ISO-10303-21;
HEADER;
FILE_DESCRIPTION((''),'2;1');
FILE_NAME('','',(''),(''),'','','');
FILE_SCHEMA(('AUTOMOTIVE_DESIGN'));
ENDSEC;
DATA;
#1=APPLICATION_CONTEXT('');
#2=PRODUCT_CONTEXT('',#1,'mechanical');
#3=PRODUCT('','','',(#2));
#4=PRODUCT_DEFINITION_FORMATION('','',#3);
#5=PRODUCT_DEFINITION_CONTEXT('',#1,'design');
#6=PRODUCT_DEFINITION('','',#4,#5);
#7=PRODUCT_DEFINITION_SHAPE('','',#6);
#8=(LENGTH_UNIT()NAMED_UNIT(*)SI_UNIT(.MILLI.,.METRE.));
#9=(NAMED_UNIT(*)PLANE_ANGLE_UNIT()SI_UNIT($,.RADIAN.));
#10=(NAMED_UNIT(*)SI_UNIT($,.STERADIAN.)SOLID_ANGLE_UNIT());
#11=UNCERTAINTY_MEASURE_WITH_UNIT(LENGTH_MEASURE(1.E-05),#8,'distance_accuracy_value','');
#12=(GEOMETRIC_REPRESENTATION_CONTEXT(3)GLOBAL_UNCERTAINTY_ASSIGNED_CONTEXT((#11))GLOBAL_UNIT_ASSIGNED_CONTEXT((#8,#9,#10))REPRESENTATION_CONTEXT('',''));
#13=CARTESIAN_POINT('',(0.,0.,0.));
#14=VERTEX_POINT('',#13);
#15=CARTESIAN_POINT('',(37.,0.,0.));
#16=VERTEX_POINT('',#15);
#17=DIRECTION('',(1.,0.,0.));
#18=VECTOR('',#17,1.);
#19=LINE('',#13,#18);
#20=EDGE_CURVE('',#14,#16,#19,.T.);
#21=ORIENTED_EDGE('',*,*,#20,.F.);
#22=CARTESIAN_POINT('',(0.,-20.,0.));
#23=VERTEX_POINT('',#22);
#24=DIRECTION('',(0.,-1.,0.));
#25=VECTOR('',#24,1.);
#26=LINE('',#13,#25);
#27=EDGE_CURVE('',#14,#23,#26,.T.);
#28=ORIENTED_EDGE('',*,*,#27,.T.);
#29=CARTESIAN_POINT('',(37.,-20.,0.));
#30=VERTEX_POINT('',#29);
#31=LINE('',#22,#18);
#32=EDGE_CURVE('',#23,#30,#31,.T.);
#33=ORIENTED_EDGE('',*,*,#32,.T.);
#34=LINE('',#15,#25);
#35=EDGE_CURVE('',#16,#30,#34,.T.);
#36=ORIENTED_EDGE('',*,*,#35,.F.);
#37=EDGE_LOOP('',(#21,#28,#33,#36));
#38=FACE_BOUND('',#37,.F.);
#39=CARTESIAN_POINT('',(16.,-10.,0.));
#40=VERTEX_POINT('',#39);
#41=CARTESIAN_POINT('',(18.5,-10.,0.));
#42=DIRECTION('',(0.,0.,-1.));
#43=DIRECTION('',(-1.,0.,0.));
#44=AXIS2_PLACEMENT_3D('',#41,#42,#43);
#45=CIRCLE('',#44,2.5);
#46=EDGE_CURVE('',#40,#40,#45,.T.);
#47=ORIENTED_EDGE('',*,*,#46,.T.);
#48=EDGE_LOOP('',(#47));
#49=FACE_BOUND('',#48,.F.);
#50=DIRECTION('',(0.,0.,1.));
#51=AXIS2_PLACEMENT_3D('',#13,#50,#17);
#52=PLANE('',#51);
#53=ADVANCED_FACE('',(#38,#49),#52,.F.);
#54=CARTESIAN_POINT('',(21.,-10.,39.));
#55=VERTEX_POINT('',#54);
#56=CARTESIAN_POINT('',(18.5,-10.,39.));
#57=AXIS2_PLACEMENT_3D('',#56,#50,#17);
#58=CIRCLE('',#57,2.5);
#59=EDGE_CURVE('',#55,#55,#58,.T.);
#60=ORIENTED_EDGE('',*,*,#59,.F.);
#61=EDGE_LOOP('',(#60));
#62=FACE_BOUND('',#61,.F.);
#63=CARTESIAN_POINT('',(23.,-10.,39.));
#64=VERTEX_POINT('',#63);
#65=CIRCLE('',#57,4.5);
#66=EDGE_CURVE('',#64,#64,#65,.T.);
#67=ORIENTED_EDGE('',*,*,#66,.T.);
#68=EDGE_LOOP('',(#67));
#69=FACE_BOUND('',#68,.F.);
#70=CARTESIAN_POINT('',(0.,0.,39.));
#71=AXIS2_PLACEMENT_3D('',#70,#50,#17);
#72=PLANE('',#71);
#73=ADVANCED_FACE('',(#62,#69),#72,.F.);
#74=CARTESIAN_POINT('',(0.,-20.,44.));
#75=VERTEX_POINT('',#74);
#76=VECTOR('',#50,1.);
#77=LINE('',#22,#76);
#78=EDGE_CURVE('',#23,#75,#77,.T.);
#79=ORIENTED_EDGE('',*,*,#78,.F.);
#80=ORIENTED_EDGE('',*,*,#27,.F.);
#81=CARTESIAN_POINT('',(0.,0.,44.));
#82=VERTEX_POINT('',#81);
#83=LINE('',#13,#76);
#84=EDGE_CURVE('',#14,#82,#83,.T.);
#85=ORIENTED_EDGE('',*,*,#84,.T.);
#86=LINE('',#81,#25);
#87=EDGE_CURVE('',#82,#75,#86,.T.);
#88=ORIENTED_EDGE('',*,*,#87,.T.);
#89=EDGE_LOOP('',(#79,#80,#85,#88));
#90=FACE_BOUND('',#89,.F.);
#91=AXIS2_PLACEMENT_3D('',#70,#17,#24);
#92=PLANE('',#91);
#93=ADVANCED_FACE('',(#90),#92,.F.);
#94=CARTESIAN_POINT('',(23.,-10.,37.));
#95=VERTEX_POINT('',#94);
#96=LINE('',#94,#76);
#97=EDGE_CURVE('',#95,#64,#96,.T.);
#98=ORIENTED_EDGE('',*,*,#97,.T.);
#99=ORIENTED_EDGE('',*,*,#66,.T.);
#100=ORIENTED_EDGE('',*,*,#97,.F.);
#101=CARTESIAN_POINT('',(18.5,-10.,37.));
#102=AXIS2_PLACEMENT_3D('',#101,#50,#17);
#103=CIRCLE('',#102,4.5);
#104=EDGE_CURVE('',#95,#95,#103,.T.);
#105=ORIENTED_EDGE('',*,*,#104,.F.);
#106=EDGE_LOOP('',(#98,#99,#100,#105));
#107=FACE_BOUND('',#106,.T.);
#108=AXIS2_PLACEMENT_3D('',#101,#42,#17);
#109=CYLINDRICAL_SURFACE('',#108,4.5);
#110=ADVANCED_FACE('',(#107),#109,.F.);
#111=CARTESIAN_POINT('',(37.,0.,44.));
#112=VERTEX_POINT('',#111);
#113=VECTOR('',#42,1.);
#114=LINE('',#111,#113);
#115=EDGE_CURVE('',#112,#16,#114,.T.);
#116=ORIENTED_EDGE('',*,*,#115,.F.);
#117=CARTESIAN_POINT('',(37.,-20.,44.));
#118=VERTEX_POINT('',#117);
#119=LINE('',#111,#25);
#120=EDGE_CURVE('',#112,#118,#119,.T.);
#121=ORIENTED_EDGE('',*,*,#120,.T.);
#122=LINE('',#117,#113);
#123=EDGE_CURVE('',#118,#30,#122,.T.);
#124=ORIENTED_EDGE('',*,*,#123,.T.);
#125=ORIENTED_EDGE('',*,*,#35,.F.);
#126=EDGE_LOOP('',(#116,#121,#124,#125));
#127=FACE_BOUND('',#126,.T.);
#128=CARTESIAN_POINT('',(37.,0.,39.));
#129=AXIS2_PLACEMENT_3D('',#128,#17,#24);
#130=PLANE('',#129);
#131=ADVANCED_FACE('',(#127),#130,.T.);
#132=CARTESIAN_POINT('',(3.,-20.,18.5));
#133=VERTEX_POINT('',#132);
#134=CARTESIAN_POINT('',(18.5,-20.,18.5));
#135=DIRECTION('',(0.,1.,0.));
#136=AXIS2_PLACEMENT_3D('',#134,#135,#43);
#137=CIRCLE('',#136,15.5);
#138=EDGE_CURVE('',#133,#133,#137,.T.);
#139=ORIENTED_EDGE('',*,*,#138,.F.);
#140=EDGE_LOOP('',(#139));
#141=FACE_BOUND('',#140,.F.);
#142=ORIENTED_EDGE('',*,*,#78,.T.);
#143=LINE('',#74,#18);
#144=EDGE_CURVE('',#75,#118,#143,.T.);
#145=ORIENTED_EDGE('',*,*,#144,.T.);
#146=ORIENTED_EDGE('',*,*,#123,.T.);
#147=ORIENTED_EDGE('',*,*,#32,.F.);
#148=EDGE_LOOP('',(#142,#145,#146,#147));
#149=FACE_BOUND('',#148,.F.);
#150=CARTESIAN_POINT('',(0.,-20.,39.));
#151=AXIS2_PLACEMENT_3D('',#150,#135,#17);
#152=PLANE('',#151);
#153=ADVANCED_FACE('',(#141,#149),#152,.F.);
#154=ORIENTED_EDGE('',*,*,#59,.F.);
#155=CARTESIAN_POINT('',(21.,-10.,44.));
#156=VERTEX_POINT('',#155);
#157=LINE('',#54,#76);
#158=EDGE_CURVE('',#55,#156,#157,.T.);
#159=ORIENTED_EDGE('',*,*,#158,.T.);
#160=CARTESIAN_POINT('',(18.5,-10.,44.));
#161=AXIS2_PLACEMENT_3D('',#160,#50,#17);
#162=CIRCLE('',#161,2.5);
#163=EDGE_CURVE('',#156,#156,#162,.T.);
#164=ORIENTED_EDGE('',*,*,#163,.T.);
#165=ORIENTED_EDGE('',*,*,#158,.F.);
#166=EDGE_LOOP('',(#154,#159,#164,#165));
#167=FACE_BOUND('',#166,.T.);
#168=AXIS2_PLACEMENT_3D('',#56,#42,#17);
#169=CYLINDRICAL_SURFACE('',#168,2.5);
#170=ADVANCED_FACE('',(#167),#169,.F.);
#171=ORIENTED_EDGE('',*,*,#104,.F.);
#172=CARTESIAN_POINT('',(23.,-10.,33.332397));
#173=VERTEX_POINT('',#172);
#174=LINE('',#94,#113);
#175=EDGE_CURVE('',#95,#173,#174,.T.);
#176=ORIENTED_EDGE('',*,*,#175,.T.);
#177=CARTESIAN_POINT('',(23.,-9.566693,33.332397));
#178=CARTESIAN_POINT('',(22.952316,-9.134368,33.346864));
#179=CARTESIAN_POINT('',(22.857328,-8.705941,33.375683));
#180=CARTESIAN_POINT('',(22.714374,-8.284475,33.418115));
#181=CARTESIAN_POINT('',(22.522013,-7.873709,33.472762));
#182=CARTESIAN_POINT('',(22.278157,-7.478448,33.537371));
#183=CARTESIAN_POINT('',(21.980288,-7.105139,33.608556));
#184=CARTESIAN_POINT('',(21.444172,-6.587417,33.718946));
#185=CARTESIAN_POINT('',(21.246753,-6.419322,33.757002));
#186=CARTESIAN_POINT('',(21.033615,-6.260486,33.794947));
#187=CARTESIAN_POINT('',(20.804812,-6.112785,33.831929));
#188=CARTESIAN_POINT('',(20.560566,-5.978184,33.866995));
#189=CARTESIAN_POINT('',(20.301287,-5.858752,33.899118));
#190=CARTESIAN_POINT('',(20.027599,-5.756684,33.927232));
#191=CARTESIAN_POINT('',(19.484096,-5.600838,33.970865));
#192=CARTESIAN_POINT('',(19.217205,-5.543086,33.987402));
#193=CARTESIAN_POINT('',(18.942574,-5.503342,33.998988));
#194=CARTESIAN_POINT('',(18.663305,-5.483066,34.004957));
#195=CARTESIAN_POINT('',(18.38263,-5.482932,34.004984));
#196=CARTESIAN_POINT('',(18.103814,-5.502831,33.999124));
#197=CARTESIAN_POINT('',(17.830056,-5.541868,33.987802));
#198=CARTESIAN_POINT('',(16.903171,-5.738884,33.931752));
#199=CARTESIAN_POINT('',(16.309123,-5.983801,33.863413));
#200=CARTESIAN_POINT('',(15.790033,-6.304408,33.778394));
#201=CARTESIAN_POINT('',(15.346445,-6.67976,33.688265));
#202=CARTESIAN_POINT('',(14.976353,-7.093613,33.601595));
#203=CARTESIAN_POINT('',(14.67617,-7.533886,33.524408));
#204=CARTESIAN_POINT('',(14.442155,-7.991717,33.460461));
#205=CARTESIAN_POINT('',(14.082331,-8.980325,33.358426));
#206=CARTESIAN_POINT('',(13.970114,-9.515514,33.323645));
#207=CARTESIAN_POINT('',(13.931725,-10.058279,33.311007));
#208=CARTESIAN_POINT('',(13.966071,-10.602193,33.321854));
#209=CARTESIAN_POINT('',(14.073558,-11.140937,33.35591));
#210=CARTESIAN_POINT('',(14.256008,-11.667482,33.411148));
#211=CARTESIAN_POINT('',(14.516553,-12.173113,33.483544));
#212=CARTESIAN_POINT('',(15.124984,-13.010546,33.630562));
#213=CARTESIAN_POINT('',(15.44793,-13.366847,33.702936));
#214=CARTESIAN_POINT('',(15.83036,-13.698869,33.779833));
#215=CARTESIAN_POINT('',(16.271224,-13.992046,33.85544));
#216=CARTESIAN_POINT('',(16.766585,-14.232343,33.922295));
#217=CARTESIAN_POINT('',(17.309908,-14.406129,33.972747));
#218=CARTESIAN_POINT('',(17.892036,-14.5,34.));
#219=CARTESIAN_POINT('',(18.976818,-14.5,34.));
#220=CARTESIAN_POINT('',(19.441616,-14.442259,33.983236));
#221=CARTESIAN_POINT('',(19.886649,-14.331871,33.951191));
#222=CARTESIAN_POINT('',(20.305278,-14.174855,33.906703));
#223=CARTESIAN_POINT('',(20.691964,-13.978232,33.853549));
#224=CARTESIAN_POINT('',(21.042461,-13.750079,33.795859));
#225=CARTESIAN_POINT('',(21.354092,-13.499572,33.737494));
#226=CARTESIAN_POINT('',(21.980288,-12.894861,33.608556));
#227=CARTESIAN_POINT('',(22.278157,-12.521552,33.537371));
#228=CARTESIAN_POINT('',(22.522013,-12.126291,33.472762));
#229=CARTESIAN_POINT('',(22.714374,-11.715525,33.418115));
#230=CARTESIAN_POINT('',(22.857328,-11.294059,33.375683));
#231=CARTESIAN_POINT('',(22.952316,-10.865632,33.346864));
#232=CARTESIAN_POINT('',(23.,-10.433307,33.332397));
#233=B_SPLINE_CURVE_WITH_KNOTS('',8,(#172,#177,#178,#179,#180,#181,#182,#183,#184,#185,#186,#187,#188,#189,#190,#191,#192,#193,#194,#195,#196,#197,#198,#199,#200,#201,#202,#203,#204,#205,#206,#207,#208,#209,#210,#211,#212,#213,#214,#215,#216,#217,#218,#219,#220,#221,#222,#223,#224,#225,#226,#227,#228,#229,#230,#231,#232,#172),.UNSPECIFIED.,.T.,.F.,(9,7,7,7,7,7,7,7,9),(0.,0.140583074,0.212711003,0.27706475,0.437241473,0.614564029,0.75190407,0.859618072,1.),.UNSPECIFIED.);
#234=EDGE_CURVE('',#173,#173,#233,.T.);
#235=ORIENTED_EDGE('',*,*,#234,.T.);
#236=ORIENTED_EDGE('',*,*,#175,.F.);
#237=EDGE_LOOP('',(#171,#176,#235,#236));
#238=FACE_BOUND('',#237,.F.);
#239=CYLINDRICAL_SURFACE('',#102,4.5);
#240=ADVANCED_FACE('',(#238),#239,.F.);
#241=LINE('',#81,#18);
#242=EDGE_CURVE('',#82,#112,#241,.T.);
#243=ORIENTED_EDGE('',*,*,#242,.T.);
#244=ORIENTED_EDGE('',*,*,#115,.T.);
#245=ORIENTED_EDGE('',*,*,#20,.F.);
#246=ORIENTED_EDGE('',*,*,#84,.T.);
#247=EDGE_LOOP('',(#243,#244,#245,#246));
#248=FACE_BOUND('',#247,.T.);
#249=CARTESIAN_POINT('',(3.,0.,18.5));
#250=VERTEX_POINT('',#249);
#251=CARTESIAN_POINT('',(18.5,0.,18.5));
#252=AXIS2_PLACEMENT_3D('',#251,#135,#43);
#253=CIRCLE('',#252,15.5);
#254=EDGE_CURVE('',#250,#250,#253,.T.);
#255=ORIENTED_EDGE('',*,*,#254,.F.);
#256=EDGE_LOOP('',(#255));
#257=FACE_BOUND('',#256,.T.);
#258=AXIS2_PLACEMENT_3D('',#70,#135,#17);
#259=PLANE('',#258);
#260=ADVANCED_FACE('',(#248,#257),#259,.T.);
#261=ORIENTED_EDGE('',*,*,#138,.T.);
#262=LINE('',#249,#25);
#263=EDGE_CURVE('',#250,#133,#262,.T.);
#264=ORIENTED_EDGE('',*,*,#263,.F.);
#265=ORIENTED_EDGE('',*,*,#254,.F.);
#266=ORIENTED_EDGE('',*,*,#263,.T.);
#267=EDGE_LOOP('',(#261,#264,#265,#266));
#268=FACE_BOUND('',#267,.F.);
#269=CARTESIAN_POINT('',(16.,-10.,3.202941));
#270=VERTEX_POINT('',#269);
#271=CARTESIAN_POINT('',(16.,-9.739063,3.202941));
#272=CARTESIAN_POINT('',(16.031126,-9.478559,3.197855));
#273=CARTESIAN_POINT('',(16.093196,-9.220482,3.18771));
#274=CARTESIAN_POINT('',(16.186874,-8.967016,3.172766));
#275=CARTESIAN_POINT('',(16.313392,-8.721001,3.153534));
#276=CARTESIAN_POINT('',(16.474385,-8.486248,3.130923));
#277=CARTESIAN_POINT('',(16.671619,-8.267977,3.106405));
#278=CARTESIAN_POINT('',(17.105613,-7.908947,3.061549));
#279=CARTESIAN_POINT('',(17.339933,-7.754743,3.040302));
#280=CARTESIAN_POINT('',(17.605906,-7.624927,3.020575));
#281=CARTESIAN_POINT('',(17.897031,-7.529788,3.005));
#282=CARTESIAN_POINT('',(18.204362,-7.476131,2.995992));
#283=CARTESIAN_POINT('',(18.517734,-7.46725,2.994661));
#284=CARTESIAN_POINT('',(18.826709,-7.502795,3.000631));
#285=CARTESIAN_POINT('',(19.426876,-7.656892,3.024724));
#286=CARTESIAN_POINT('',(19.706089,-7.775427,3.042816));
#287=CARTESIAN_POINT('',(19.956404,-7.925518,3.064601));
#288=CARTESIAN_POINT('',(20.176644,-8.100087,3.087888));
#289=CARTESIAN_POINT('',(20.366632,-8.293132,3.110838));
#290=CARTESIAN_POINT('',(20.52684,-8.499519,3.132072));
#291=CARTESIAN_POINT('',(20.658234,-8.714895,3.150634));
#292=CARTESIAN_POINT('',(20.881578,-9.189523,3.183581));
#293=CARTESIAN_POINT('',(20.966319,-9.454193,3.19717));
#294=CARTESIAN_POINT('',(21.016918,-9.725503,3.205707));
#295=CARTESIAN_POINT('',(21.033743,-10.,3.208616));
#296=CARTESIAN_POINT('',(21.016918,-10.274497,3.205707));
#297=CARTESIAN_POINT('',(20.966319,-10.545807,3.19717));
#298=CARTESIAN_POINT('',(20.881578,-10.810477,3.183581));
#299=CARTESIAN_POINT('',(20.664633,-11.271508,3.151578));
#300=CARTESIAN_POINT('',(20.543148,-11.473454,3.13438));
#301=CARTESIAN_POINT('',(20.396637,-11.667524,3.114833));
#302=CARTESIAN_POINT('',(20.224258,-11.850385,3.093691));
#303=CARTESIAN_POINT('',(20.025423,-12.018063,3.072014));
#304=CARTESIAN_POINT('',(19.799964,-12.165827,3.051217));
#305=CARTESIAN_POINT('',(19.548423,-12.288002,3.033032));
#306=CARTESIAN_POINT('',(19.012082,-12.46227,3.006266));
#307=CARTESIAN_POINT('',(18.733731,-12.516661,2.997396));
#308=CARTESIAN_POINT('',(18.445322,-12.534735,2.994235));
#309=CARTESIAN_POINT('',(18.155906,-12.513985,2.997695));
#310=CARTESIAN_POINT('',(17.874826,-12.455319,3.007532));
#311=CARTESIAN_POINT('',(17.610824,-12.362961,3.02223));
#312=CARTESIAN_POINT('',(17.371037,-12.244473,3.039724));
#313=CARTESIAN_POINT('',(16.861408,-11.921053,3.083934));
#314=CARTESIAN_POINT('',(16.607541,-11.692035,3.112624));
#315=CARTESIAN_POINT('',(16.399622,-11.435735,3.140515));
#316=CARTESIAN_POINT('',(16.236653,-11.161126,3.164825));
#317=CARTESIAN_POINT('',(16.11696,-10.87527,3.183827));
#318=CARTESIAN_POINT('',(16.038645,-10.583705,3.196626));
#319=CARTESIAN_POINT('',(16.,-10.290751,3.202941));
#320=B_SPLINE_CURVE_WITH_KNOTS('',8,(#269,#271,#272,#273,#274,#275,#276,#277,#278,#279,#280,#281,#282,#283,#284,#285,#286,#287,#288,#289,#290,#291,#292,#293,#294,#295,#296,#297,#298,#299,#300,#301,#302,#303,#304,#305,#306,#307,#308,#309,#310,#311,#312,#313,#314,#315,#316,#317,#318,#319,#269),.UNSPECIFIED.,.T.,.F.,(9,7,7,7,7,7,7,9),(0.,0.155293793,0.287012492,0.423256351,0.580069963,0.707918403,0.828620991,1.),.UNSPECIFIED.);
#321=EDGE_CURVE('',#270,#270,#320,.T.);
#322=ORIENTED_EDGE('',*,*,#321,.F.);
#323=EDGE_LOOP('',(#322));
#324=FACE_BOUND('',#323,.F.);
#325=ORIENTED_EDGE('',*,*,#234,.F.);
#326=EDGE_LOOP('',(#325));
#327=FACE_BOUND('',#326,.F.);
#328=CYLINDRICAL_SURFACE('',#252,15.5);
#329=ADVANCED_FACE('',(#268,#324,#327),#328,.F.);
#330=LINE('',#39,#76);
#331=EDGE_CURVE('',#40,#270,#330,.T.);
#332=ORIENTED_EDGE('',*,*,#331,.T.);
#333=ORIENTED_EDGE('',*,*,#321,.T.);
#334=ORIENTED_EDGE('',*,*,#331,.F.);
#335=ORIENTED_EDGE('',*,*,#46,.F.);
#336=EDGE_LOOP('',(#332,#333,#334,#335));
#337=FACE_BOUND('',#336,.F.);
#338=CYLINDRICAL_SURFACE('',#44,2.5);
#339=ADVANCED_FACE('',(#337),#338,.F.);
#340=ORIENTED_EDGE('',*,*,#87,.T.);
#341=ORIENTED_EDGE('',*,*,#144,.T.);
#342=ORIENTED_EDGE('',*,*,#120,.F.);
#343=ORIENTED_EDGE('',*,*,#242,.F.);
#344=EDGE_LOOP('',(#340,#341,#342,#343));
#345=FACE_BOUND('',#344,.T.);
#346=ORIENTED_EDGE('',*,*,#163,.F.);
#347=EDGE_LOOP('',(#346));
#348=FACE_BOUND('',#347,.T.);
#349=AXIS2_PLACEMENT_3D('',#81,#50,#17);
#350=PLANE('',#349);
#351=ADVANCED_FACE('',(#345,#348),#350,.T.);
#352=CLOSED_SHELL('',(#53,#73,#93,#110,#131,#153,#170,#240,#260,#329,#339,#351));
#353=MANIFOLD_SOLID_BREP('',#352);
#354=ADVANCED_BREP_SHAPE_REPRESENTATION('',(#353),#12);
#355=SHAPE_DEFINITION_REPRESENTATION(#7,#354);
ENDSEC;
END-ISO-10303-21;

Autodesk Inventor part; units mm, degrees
ref_plane "YZ Plane" through (0, 0, 0) normal (1, 0, 0) x (0, 1, 0)
ref_plane "XZ Plane" through (0, 0, 0) normal (0, 1, 0) x (-1, 0, 0)
ref_plane "XY Plane" through (0, 0, 0) normal (0, 0, 1) x (1, 0, 0)
sketch "Sketch1" plane through (0, 0, 0) normal (0, 1, 0) x (-1, 0, 0)
  line L0 (0, 0) -> (-37, 0)
  line L1 (-37, 0) -> (-37, 37)
  line L2 (-37, 37) -> (0, 37)
  line L3 (0, 37) -> (0, 0)
  circle A0 centre (-18.5, 18.5) radius 15.5
  point P0 (-18.5, 0)
  dimension "d0" = 37
  dimension "d1" = 37
  dimension "d2" = 18.5
  dimension "d3" = 18.5
  dimension "d4" = 31
extrude "Extrusion1" add sketch "Sketch1" against normal blind 20
sketch "Sketch3" plane through (0, 0, 37) normal (0, 0, 1) x (1, 0, 0)
  circle A0 centre (18.5, -10) radius 4.5
  line L0 (37, 0) -> (37, -20) projected
  point P0 (0, 0)
  dimension "d8" = 9
  dimension "d18" = 18.5
extrude "Extrusion2" cut sketch "Sketch3" against normal blind 5
sketch "Sketch4" plane through (37, 0, 0) normal (0, 0, -1) x (-1, 0, 0)
  circle A0 centre (18.5, -10) radius 4.5 projected
  circle A1 centre (18.5, -10) radius 2.5
  point P0 (37, 0)
  dimension "d11" = 5
extrude "Extrusion3" cut sketch "Sketch4" against normal blind 5 contours A1
sketch "Sketch5" plane through (0, 0, 37) normal (0, 0, 1) x (1, 0, 0)
  line L0 (37, 0) -> (0, 0) projected
  line L1 (0, -20) -> (37, -20) projected
  line L2 (0, 0) -> (37, 0)
  line L3 (37, 0) -> (37, -20)
  line L4 (37, -20) -> (0, -20)
  line L5 (0, -20) -> (0, 0)
  line L6 (0, 0) -> (0, -20) projected
  line L7 (0, 0) -> (37, 0)
  line L8 (37, 0) -> (37, -20)
  line L9 (37, -20) -> (0, -20)
  line L10 (0, -20) -> (0, 0)
  circle A0 centre (18.5, -10) radius 4.5
  dimension "d19" = 18.5
extrude "Extrusion4" add sketch "Sketch5" along normal blind 2
sketch "Sketch6" plane through (0, 0, 39) normal (0, 0, 1) x (1, 0, 0)
  line L0 (0, 0) -> (0, -20) projected
  line L1 (0, -20) -> (37, -20) projected
  line L2 (0, 0) -> (37, 0)
  line L3 (37, 0) -> (37, -20)
  line L4 (37, -20) -> (0, -20)
  line L5 (0, -20) -> (0, 0)
  circle A0 centre (18.5, -10) radius 2.5
  dimension "d20" = 18.5
extrude "Extrusion5" add sketch "Sketch6" along normal blind 5
equation "\"d0\" = d1"
equation "\"d2\" = 0.5 * d1"
equation "\"d3\" = 0.5 * d0"
properties part number "welco mount v03"
